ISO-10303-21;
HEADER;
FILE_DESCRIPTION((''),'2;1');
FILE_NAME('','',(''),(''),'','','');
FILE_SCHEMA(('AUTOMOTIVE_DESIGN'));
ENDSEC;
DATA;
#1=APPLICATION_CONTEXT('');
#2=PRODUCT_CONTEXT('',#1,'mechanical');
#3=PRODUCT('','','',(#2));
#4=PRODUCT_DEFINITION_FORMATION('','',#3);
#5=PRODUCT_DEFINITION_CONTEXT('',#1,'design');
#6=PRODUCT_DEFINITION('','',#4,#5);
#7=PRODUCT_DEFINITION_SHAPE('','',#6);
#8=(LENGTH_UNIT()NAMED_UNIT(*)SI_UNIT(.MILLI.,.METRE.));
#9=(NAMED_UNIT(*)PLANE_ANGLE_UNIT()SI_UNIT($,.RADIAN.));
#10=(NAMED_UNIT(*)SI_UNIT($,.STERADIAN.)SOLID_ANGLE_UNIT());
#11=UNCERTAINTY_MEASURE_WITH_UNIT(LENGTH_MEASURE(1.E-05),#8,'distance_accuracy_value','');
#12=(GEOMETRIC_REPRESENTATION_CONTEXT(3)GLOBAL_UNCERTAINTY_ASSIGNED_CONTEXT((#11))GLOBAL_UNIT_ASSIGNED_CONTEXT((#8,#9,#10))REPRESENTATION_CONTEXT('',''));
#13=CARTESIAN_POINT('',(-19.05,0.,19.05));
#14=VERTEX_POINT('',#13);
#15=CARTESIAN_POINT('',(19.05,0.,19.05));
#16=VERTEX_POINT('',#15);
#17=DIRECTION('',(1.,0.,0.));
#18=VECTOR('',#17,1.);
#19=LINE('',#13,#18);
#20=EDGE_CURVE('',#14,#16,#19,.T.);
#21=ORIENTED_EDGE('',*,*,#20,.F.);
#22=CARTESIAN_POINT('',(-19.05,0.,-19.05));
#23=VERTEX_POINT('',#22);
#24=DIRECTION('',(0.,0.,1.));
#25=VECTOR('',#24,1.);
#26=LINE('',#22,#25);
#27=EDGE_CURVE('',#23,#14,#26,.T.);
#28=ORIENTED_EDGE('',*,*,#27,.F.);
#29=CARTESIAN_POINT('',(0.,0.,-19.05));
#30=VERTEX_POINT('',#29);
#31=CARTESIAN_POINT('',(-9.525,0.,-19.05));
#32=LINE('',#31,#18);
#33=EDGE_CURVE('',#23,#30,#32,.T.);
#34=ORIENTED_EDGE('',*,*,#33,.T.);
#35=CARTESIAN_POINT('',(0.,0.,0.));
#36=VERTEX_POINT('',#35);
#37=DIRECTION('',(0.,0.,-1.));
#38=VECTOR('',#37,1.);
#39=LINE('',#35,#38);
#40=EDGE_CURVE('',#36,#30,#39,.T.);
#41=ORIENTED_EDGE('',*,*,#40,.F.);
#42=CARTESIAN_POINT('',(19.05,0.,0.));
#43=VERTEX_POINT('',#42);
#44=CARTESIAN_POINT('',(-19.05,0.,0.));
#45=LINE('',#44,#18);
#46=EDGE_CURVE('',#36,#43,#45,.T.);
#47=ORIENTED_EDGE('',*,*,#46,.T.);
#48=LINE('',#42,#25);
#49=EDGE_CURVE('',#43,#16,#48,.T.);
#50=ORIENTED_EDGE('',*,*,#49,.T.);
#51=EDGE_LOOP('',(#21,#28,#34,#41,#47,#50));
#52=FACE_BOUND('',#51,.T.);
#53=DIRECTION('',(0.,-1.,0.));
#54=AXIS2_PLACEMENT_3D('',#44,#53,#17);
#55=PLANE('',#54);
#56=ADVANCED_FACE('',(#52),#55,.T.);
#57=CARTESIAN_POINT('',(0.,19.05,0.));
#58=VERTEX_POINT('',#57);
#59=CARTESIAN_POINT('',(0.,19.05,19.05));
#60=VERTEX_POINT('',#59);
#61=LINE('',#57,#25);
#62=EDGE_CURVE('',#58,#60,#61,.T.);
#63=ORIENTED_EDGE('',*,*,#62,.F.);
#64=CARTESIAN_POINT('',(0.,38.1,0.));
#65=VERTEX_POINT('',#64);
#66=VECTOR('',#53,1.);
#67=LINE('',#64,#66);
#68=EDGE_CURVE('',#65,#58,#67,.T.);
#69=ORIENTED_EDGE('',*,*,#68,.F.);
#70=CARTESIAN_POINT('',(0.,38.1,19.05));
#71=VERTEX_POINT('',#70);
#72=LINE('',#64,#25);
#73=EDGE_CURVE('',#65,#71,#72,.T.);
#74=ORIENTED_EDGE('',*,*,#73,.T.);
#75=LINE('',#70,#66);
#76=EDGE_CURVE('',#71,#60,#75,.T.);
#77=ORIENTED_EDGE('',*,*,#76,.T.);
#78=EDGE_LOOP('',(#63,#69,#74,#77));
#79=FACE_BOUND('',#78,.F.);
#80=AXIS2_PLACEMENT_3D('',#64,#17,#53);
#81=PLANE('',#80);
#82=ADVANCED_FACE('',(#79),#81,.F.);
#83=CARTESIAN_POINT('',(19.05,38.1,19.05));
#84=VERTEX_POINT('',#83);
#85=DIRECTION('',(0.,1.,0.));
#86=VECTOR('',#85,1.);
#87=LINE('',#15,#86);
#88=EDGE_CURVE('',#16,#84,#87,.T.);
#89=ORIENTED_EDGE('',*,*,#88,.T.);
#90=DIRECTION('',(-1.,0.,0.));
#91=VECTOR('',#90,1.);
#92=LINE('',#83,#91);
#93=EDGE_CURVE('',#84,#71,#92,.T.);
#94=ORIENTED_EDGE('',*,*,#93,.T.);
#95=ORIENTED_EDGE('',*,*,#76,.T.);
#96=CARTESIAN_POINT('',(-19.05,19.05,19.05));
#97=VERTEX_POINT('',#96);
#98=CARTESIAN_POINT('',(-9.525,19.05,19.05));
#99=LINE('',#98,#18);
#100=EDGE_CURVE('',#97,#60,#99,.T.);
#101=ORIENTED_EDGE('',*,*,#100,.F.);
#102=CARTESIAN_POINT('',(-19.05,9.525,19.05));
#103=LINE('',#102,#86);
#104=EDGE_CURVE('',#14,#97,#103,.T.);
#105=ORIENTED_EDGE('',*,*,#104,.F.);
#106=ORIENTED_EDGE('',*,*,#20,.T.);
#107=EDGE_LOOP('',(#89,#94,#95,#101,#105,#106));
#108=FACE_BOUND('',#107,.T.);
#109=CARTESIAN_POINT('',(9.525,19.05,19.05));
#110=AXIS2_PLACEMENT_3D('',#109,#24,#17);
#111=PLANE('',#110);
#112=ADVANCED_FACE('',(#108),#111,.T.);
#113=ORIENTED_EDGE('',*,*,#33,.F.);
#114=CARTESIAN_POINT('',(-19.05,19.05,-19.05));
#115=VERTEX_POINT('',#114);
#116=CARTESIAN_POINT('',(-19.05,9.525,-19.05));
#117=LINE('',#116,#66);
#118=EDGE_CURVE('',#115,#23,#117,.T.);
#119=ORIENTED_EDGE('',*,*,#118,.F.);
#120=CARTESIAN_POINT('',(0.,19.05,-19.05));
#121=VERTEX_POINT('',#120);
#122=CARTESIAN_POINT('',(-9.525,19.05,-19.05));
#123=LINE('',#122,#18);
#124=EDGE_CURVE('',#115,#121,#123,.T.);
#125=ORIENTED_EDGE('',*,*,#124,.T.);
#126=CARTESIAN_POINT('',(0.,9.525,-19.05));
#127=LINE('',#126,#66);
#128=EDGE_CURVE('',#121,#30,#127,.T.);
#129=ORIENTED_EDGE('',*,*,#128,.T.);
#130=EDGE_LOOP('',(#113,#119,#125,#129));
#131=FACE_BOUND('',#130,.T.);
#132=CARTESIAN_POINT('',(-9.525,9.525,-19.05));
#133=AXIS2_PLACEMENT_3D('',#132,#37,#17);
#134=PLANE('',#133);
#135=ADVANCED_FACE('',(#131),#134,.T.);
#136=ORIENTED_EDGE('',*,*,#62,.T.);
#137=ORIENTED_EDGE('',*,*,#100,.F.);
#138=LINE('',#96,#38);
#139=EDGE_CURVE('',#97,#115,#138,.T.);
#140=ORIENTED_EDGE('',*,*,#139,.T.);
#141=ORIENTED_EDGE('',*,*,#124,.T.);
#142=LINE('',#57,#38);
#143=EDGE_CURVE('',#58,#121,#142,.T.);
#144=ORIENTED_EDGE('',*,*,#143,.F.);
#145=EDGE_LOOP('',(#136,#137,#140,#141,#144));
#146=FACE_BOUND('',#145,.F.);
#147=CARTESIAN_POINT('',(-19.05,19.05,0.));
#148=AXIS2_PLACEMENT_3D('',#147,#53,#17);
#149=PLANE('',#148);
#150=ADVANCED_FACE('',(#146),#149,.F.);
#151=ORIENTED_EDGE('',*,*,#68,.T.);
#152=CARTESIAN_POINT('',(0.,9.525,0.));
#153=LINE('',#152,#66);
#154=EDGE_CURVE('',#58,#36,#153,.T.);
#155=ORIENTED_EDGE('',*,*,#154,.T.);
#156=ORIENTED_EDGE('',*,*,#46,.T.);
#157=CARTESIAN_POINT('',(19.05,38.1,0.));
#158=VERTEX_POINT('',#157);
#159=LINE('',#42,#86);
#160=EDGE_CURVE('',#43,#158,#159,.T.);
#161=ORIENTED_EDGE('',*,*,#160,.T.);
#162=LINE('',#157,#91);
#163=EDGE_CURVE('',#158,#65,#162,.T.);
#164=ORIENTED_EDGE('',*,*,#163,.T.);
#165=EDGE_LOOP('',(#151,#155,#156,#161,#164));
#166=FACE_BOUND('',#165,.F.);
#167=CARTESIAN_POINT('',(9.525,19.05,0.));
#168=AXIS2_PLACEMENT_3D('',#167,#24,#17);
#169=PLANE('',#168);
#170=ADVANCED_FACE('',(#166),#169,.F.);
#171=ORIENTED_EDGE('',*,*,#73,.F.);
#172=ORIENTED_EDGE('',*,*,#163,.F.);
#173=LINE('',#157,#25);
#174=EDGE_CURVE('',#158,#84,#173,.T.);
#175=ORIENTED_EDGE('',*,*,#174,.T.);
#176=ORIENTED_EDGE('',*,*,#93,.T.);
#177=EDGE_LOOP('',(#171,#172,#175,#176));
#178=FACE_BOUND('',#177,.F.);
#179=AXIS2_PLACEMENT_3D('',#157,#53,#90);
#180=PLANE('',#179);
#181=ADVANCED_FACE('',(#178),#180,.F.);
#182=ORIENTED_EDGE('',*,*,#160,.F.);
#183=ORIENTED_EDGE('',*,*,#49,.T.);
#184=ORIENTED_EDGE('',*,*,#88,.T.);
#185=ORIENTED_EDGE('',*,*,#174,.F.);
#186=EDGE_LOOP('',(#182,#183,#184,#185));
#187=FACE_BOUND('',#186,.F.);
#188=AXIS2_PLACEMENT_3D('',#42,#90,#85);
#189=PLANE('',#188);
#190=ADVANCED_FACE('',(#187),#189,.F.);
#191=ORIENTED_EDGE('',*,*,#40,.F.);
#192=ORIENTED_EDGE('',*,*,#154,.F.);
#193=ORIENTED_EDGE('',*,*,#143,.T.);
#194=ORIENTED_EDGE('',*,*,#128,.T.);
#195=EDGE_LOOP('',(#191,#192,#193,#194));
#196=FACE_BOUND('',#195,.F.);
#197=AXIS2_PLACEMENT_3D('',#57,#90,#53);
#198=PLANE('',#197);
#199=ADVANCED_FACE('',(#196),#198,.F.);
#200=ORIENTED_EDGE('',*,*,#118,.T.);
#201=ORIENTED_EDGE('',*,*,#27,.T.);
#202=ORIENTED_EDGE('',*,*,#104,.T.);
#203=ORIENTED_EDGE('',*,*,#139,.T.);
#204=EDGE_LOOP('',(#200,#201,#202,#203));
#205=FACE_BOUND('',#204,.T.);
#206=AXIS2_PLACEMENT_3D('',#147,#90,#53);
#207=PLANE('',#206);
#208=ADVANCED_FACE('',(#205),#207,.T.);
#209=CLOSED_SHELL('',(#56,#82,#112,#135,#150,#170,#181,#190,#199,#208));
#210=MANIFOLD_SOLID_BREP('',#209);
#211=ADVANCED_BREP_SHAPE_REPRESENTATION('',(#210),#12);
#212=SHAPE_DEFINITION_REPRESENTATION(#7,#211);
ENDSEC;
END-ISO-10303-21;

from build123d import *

# Parameters (mm, degrees)
F0_W     = 19.05
F0_H     = 19.05
F1_DEPTH = 19.05
F2_W     = 19.05
F2_H     = 19.05
F3_DEPTH = 19.05


with BuildPart() as f1:
    # F0 (on Top) → F1 (new body)
    with BuildSketch(Plane.XY):
        Polygon((0, 19.05), (0, 0), (19.05, 0), (19.05, 38.1), (0, 38.1), align=None)
        with Locations((-9.525, 9.525)):
            Rectangle(F0_W, F0_H)
    extrude(amount=F1_DEPTH)

    # F2 (on face) → F3 (join)
    with BuildSketch(Plane(origin=(0, 0, 0), x_dir=(1, 0, 0), z_dir=(0, 0, -1))):
        with Locations((-9.525, -9.525)):
            Rectangle(F2_W, F2_H)
    extrude(amount=F3_DEPTH)


solid = f1.part
